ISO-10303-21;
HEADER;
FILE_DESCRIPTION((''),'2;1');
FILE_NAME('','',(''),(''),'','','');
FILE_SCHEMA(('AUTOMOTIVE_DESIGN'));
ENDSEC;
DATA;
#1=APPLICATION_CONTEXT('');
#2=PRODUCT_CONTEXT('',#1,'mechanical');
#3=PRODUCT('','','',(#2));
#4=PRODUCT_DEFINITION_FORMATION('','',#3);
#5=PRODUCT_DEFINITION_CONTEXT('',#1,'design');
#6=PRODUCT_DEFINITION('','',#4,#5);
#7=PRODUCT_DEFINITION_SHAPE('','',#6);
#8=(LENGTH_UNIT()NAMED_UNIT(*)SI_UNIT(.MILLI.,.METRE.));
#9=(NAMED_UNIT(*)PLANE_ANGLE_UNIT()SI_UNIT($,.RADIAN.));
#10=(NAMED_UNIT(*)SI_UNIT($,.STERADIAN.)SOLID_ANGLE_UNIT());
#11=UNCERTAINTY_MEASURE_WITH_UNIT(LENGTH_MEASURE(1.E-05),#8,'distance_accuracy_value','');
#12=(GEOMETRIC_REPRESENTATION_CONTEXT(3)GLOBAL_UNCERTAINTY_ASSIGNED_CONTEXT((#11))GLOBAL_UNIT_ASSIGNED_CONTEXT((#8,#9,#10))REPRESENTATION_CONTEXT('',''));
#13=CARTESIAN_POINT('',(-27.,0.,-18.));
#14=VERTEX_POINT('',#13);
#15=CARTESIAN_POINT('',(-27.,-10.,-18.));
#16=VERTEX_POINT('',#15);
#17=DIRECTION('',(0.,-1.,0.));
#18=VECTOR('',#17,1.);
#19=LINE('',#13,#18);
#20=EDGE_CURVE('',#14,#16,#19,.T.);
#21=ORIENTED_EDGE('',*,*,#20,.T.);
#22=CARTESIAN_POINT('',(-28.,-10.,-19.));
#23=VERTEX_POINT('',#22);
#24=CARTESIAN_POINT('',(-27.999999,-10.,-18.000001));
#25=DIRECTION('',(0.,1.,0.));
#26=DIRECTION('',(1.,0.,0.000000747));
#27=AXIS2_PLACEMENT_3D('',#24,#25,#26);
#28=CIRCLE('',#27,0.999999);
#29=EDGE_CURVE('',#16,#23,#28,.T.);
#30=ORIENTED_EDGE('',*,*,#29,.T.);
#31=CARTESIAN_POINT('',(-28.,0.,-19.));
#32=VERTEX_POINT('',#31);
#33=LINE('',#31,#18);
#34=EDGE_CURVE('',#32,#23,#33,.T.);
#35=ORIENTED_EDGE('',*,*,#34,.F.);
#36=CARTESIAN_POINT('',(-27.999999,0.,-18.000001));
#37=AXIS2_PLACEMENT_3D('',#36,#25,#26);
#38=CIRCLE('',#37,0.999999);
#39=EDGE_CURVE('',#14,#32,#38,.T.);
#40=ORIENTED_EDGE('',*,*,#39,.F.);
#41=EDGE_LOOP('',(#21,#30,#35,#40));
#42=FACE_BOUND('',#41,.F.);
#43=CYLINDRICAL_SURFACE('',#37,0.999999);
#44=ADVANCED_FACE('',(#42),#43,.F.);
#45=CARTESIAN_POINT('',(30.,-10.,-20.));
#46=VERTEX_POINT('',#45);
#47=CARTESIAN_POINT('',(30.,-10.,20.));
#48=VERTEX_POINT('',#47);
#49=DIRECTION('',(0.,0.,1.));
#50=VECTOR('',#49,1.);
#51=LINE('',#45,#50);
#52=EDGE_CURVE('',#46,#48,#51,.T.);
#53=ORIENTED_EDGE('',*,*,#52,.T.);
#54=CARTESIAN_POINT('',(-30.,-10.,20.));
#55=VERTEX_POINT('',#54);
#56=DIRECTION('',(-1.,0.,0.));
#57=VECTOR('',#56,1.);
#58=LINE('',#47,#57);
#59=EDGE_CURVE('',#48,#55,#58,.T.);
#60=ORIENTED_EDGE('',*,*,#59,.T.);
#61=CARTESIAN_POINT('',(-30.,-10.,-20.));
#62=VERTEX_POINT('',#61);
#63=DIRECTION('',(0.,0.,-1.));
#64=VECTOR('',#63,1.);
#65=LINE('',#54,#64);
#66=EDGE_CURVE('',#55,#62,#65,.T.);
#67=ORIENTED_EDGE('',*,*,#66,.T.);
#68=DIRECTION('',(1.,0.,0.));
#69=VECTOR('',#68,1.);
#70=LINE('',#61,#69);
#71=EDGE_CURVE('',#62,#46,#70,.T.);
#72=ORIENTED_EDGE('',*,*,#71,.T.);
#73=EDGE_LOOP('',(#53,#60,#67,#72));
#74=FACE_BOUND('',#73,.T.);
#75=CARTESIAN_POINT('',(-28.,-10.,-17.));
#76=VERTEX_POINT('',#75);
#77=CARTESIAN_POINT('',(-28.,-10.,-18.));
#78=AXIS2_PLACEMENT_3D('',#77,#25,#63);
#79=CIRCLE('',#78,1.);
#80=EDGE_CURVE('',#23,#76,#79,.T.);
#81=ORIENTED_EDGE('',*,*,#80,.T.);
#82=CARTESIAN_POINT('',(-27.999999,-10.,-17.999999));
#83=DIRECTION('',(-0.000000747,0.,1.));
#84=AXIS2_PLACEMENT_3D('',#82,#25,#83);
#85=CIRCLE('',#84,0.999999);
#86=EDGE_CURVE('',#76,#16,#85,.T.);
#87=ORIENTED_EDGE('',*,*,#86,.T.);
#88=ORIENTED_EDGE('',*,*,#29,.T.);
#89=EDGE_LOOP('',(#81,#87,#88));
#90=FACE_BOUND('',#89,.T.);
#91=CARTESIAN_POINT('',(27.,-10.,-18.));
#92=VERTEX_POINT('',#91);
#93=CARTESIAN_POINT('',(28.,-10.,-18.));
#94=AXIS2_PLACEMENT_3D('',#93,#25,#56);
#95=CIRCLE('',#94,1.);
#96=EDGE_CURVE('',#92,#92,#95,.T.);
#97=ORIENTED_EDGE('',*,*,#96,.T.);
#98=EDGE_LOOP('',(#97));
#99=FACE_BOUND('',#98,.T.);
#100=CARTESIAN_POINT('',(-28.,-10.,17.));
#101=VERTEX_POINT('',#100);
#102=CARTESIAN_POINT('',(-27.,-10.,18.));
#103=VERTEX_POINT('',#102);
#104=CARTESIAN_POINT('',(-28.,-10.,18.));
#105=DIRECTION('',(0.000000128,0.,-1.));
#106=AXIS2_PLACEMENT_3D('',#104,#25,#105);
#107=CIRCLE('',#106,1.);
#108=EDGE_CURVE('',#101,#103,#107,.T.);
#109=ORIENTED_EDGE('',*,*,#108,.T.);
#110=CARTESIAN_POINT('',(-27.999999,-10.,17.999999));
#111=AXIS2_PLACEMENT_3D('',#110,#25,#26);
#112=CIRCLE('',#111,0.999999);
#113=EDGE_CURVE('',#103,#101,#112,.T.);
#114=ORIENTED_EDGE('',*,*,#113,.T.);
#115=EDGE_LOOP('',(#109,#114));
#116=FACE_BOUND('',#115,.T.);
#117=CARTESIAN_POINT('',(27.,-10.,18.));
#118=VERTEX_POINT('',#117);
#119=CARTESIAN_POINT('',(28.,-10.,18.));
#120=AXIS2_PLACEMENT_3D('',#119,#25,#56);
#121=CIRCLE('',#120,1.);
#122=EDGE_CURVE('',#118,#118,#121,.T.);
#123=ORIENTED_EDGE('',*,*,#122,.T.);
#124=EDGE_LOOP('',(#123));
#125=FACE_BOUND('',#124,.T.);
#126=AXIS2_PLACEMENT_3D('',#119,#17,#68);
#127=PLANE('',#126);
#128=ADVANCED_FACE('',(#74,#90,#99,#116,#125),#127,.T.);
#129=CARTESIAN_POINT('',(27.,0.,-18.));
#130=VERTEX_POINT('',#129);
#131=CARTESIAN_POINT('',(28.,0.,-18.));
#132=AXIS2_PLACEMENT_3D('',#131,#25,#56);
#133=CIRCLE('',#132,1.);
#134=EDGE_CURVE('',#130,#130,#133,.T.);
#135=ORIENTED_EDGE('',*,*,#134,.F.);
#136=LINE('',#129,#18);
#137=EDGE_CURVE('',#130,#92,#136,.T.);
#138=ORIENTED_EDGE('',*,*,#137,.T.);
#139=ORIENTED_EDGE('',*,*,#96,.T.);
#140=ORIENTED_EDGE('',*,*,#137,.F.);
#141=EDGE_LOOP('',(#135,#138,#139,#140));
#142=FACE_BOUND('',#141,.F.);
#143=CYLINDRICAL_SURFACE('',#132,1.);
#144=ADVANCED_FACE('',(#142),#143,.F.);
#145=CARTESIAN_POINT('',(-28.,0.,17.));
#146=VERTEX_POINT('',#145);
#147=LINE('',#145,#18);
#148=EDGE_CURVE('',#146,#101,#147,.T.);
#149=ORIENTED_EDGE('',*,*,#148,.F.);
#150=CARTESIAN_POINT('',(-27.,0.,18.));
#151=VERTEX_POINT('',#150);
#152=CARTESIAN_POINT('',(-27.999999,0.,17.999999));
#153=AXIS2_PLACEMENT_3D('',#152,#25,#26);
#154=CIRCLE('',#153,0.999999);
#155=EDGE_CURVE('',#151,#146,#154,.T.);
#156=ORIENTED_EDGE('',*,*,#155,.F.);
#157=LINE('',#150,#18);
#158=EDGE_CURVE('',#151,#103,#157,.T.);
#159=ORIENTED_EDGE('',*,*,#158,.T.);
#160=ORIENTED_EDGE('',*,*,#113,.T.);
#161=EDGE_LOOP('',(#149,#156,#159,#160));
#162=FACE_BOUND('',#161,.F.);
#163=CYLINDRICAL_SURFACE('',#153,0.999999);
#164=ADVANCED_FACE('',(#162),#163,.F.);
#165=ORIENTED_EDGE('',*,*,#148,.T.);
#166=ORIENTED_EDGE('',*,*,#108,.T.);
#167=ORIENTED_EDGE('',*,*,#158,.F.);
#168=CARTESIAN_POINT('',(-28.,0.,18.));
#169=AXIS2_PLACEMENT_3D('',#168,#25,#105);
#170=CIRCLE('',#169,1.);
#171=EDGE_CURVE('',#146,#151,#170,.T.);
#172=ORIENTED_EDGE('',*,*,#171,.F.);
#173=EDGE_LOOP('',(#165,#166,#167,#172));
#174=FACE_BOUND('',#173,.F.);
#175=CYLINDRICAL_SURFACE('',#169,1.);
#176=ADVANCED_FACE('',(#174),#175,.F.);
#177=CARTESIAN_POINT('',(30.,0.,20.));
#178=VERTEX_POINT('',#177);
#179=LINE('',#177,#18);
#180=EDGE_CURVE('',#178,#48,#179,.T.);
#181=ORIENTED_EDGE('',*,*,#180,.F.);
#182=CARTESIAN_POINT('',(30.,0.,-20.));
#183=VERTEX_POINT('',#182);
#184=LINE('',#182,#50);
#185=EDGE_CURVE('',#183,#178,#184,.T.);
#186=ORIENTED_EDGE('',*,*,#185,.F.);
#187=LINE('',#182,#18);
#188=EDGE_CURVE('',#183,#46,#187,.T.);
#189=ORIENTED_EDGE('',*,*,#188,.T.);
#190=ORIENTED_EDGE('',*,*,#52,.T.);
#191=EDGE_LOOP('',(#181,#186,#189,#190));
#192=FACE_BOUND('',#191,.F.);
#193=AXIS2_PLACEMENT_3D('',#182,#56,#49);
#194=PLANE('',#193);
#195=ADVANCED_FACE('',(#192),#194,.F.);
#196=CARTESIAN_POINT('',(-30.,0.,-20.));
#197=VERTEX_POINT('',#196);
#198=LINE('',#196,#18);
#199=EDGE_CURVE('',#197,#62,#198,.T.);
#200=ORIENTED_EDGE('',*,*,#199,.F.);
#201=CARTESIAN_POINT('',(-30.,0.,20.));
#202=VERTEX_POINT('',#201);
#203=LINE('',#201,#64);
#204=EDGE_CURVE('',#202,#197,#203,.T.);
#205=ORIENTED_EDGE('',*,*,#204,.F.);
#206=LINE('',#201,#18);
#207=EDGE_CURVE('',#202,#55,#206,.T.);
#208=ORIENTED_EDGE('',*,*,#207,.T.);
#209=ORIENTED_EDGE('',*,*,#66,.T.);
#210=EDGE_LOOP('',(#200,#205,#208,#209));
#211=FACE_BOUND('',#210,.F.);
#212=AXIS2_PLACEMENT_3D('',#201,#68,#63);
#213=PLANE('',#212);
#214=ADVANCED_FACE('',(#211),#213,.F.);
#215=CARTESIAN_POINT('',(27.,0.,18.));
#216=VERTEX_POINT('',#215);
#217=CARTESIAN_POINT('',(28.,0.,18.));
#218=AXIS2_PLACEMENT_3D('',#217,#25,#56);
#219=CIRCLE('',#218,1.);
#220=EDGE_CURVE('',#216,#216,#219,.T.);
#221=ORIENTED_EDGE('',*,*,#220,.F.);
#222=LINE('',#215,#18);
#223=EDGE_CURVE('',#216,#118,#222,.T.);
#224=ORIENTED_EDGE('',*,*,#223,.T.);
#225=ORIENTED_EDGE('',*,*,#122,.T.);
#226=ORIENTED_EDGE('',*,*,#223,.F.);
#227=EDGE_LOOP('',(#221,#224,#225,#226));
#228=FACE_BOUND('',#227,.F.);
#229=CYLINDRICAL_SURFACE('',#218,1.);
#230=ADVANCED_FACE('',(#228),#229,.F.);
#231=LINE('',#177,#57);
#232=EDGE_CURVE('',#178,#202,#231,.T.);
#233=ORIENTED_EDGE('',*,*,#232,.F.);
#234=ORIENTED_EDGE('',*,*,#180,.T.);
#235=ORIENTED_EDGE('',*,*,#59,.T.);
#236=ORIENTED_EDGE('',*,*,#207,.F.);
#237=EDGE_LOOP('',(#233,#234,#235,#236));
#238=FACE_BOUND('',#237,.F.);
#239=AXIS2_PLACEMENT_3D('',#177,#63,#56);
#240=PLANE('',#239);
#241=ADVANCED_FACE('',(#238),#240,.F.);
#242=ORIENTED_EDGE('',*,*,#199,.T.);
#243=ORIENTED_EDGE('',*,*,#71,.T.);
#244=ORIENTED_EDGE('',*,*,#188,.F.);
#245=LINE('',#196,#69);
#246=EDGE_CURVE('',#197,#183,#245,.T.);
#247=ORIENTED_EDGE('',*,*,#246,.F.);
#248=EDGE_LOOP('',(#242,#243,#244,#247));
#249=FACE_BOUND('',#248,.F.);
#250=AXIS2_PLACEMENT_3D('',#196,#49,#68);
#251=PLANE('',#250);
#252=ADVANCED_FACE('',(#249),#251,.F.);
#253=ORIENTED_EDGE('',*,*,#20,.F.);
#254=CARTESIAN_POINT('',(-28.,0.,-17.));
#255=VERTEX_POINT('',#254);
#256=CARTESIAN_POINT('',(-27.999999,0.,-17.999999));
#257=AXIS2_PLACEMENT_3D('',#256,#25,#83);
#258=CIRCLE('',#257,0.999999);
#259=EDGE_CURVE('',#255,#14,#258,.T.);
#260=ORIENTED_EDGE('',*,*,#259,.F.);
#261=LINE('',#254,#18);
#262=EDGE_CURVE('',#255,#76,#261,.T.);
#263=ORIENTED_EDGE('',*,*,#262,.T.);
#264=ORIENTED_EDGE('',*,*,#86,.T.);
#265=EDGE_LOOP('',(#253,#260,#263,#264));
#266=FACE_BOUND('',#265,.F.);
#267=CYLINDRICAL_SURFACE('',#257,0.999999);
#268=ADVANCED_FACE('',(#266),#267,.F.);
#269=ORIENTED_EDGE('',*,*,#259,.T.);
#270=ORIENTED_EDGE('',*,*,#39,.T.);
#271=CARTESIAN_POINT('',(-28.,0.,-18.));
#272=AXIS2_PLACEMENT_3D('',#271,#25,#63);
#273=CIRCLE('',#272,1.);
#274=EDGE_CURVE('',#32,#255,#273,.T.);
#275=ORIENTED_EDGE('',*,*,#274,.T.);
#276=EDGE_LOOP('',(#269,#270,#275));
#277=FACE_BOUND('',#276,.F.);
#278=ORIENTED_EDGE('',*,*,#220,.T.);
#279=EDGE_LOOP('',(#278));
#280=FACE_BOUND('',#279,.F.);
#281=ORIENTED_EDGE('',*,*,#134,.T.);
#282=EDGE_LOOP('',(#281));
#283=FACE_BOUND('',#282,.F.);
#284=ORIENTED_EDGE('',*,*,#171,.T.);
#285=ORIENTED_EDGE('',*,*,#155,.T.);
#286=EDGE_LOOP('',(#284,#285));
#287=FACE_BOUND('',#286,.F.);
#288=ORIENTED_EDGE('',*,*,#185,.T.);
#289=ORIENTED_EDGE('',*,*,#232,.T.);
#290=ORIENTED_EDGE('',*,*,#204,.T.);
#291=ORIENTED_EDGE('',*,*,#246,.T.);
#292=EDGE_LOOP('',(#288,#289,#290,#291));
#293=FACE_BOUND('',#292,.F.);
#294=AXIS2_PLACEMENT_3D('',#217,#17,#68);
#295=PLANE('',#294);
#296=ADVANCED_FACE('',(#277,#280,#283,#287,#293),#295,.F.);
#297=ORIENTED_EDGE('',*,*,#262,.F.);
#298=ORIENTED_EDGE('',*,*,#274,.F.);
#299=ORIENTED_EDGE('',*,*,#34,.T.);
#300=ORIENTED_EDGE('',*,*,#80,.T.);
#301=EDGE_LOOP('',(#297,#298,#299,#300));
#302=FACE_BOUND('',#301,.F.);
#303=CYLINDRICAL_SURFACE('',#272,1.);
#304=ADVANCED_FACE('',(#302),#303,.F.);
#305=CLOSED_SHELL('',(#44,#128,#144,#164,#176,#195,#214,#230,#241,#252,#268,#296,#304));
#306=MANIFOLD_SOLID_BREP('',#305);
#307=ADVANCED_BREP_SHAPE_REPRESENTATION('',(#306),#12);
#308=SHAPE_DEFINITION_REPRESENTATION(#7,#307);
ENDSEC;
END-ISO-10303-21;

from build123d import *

# Parameters (mm, degrees)
F1_DEPTH = 10


with BuildPart() as f1:
    # F0 (on Front) → F1 (new body)
    with BuildSketch(Plane.XZ):
        with BuildLine():
            ThreePointArc((29, 18), (28, 19), (27, 18))
            ThreePointArc((27, 18), (28, 17), (29, 18))
        make_face()
        with BuildLine():
            ThreePointArc((29, -18), (28, -17), (27, -18))
            ThreePointArc((27, -18), (28, -19), (29, -18))
        make_face()
        Polygon((30, -20), (30, 20), (-30, 20), (-30, -20), (-28, -20), align=None)
        with BuildLine():
            ThreePointArc((-27, -18), (-27.292893, -18.707107), (-28, -19))
            ThreePointArc((-28, -19), (-29, -18), (-28, -17))
            ThreePointArc((-28, -17), (-27.292893, -17.292893), (-27, -18))
        make_face(mode=Mode.SUBTRACT)
        with BuildLine():
            ThreePointArc((29, -18), (28, -19), (27, -18))
            ThreePointArc((27, -18), (28, -17), (29, -18))
        make_face(mode=Mode.SUBTRACT)
        with BuildLine():
            ThreePointArc((-27, 18), (-27.292893, 17.292893), (-28, 17))
            ThreePointArc((-28, 17), (-28.707107, 18.707107), (-27, 18))
        make_face(mode=Mode.SUBTRACT)
        with BuildLine():
            ThreePointArc((29, 18), (28, 17), (27, 18))
            ThreePointArc((27, 18), (28, 19), (29, 18))
        make_face(mode=Mode.SUBTRACT)
    extrude(amount=F1_DEPTH)


solid = f1.part
